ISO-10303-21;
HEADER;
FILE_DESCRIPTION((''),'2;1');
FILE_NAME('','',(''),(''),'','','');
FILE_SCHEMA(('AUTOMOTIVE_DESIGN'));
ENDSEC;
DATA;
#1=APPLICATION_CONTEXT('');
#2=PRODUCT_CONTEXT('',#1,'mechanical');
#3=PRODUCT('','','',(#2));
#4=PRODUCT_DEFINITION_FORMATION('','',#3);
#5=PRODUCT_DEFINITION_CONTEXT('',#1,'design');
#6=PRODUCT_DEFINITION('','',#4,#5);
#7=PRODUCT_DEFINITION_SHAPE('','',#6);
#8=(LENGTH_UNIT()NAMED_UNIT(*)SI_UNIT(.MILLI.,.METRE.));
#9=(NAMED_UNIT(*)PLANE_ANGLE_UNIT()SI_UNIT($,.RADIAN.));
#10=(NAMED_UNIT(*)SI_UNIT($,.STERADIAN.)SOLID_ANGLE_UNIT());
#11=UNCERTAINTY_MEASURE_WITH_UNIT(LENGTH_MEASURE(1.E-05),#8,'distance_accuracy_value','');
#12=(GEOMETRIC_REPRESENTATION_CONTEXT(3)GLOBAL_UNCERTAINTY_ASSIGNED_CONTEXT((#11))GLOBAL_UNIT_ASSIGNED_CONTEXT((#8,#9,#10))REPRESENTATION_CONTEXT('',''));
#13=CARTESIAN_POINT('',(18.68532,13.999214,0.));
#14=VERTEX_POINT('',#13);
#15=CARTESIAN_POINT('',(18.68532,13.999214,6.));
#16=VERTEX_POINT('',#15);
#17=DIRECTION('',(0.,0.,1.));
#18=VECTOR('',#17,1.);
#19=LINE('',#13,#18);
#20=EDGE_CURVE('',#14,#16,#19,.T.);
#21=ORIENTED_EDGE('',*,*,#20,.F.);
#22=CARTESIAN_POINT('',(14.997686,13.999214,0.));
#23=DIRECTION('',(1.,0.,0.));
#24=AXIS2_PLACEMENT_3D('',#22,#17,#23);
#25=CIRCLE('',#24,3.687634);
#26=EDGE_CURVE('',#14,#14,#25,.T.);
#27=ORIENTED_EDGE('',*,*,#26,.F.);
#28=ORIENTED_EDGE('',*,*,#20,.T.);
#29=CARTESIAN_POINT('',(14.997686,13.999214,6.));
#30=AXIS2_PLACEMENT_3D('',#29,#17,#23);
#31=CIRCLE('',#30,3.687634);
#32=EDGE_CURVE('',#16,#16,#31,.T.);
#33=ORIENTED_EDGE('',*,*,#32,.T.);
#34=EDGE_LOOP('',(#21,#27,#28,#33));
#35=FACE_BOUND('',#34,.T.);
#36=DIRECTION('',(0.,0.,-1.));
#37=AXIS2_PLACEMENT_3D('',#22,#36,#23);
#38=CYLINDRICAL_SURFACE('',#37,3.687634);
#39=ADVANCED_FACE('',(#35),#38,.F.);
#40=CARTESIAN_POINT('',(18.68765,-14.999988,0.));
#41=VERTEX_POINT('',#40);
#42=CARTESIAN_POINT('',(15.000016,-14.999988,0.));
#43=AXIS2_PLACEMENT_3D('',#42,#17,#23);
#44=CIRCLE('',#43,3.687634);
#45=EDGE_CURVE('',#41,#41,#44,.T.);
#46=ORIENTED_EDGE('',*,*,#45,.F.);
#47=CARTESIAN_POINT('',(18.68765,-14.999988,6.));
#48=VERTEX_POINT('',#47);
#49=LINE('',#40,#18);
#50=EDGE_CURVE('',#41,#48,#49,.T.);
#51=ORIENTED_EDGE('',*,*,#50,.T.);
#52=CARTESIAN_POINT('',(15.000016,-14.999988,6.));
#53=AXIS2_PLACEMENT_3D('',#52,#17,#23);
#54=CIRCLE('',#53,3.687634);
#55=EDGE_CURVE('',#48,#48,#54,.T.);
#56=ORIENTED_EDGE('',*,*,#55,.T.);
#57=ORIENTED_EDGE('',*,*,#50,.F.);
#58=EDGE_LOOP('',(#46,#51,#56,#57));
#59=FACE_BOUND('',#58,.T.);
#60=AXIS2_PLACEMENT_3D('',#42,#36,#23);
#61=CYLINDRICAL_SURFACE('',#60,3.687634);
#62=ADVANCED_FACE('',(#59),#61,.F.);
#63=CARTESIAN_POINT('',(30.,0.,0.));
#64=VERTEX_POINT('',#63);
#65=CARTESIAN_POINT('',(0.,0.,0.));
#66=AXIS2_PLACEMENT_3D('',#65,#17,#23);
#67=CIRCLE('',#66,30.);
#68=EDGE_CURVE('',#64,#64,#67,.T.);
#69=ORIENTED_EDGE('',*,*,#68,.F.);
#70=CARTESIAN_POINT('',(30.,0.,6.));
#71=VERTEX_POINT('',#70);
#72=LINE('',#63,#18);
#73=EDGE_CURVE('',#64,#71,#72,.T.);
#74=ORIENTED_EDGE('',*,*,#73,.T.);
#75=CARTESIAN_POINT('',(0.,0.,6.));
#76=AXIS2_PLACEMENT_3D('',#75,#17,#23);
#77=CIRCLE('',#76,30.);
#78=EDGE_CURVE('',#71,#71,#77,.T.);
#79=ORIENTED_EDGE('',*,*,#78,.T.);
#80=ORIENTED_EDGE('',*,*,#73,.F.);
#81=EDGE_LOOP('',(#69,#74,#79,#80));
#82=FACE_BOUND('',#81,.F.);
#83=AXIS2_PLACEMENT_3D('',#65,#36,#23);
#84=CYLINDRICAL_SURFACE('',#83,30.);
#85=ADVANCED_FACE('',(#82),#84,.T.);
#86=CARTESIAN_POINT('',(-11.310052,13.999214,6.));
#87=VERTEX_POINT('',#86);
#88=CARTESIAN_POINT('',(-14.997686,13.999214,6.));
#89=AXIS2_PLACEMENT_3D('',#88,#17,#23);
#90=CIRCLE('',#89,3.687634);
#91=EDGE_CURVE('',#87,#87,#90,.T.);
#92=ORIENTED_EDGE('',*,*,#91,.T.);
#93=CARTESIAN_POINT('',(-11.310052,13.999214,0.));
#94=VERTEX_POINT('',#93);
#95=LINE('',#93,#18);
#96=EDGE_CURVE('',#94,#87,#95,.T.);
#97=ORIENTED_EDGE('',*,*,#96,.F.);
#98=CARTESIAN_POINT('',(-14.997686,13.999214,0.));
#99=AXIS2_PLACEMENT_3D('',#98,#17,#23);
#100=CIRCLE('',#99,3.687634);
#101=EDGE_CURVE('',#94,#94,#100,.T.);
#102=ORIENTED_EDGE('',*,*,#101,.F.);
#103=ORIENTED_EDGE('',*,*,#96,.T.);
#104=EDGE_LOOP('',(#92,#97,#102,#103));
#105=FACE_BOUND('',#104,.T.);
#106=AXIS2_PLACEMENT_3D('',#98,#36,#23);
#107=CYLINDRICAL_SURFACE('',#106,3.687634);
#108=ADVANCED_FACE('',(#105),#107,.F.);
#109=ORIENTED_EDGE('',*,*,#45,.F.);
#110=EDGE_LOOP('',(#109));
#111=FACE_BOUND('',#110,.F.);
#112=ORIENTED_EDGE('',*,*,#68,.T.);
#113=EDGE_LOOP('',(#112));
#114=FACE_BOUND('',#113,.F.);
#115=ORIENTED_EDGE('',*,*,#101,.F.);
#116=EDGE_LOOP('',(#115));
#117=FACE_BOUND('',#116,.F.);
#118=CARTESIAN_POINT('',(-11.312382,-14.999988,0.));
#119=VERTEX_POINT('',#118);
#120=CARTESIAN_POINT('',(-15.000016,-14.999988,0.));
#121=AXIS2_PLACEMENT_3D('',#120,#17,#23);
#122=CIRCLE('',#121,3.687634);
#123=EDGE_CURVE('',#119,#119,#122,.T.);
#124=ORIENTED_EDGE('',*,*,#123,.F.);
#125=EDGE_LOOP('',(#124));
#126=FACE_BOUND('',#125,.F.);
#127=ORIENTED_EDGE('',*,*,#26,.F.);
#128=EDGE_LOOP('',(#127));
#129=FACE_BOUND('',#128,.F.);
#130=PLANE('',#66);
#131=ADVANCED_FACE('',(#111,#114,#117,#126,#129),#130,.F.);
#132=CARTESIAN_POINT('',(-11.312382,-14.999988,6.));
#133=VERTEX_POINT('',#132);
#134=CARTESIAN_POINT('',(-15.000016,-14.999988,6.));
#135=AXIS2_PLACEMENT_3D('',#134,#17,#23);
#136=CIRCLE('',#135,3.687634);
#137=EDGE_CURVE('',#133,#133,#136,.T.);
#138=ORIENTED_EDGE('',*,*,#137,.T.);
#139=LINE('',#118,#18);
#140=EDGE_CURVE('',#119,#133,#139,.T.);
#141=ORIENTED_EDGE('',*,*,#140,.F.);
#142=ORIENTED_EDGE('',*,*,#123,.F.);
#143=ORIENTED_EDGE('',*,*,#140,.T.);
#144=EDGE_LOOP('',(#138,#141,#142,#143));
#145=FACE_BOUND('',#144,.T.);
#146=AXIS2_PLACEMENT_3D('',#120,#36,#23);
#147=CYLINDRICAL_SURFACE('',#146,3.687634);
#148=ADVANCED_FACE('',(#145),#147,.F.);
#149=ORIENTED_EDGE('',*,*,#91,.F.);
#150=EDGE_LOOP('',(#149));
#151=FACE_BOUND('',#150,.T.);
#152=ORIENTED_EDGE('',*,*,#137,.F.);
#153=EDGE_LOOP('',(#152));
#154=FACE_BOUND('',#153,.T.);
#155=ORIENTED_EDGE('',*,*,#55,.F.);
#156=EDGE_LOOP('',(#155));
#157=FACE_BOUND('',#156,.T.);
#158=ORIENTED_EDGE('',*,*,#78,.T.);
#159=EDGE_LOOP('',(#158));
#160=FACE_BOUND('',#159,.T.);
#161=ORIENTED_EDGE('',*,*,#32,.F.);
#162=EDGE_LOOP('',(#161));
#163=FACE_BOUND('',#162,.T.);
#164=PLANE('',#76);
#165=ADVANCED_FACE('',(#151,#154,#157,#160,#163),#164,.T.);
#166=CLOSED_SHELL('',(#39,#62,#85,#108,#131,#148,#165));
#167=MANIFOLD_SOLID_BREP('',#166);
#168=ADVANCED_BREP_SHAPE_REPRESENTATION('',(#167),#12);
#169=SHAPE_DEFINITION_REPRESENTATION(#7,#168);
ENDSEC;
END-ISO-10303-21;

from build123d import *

# Parameters (mm, degrees)
SKETCH_R   = 30
SKETCH_R_2 = 3.687634
PAD_DEPTH  = 6


with BuildPart() as part:
    # Sketch → Pad (new body)
    with BuildSketch(Plane.XY):
        Circle(SKETCH_R)
        with Locations((14.997686, 13.999214)):
            Circle(SKETCH_R_2, mode=Mode.SUBTRACT)
        with Locations((-14.997686, 13.999214)):
            Circle(SKETCH_R_2, mode=Mode.SUBTRACT)
        with Locations((15.000016, -14.999988)):
            Circle(SKETCH_R_2, mode=Mode.SUBTRACT)
        with Locations((-15.000016, -14.999988)):
            Circle(SKETCH_R_2, mode=Mode.SUBTRACT)
    extrude(amount=PAD_DEPTH)


solid = part.part
